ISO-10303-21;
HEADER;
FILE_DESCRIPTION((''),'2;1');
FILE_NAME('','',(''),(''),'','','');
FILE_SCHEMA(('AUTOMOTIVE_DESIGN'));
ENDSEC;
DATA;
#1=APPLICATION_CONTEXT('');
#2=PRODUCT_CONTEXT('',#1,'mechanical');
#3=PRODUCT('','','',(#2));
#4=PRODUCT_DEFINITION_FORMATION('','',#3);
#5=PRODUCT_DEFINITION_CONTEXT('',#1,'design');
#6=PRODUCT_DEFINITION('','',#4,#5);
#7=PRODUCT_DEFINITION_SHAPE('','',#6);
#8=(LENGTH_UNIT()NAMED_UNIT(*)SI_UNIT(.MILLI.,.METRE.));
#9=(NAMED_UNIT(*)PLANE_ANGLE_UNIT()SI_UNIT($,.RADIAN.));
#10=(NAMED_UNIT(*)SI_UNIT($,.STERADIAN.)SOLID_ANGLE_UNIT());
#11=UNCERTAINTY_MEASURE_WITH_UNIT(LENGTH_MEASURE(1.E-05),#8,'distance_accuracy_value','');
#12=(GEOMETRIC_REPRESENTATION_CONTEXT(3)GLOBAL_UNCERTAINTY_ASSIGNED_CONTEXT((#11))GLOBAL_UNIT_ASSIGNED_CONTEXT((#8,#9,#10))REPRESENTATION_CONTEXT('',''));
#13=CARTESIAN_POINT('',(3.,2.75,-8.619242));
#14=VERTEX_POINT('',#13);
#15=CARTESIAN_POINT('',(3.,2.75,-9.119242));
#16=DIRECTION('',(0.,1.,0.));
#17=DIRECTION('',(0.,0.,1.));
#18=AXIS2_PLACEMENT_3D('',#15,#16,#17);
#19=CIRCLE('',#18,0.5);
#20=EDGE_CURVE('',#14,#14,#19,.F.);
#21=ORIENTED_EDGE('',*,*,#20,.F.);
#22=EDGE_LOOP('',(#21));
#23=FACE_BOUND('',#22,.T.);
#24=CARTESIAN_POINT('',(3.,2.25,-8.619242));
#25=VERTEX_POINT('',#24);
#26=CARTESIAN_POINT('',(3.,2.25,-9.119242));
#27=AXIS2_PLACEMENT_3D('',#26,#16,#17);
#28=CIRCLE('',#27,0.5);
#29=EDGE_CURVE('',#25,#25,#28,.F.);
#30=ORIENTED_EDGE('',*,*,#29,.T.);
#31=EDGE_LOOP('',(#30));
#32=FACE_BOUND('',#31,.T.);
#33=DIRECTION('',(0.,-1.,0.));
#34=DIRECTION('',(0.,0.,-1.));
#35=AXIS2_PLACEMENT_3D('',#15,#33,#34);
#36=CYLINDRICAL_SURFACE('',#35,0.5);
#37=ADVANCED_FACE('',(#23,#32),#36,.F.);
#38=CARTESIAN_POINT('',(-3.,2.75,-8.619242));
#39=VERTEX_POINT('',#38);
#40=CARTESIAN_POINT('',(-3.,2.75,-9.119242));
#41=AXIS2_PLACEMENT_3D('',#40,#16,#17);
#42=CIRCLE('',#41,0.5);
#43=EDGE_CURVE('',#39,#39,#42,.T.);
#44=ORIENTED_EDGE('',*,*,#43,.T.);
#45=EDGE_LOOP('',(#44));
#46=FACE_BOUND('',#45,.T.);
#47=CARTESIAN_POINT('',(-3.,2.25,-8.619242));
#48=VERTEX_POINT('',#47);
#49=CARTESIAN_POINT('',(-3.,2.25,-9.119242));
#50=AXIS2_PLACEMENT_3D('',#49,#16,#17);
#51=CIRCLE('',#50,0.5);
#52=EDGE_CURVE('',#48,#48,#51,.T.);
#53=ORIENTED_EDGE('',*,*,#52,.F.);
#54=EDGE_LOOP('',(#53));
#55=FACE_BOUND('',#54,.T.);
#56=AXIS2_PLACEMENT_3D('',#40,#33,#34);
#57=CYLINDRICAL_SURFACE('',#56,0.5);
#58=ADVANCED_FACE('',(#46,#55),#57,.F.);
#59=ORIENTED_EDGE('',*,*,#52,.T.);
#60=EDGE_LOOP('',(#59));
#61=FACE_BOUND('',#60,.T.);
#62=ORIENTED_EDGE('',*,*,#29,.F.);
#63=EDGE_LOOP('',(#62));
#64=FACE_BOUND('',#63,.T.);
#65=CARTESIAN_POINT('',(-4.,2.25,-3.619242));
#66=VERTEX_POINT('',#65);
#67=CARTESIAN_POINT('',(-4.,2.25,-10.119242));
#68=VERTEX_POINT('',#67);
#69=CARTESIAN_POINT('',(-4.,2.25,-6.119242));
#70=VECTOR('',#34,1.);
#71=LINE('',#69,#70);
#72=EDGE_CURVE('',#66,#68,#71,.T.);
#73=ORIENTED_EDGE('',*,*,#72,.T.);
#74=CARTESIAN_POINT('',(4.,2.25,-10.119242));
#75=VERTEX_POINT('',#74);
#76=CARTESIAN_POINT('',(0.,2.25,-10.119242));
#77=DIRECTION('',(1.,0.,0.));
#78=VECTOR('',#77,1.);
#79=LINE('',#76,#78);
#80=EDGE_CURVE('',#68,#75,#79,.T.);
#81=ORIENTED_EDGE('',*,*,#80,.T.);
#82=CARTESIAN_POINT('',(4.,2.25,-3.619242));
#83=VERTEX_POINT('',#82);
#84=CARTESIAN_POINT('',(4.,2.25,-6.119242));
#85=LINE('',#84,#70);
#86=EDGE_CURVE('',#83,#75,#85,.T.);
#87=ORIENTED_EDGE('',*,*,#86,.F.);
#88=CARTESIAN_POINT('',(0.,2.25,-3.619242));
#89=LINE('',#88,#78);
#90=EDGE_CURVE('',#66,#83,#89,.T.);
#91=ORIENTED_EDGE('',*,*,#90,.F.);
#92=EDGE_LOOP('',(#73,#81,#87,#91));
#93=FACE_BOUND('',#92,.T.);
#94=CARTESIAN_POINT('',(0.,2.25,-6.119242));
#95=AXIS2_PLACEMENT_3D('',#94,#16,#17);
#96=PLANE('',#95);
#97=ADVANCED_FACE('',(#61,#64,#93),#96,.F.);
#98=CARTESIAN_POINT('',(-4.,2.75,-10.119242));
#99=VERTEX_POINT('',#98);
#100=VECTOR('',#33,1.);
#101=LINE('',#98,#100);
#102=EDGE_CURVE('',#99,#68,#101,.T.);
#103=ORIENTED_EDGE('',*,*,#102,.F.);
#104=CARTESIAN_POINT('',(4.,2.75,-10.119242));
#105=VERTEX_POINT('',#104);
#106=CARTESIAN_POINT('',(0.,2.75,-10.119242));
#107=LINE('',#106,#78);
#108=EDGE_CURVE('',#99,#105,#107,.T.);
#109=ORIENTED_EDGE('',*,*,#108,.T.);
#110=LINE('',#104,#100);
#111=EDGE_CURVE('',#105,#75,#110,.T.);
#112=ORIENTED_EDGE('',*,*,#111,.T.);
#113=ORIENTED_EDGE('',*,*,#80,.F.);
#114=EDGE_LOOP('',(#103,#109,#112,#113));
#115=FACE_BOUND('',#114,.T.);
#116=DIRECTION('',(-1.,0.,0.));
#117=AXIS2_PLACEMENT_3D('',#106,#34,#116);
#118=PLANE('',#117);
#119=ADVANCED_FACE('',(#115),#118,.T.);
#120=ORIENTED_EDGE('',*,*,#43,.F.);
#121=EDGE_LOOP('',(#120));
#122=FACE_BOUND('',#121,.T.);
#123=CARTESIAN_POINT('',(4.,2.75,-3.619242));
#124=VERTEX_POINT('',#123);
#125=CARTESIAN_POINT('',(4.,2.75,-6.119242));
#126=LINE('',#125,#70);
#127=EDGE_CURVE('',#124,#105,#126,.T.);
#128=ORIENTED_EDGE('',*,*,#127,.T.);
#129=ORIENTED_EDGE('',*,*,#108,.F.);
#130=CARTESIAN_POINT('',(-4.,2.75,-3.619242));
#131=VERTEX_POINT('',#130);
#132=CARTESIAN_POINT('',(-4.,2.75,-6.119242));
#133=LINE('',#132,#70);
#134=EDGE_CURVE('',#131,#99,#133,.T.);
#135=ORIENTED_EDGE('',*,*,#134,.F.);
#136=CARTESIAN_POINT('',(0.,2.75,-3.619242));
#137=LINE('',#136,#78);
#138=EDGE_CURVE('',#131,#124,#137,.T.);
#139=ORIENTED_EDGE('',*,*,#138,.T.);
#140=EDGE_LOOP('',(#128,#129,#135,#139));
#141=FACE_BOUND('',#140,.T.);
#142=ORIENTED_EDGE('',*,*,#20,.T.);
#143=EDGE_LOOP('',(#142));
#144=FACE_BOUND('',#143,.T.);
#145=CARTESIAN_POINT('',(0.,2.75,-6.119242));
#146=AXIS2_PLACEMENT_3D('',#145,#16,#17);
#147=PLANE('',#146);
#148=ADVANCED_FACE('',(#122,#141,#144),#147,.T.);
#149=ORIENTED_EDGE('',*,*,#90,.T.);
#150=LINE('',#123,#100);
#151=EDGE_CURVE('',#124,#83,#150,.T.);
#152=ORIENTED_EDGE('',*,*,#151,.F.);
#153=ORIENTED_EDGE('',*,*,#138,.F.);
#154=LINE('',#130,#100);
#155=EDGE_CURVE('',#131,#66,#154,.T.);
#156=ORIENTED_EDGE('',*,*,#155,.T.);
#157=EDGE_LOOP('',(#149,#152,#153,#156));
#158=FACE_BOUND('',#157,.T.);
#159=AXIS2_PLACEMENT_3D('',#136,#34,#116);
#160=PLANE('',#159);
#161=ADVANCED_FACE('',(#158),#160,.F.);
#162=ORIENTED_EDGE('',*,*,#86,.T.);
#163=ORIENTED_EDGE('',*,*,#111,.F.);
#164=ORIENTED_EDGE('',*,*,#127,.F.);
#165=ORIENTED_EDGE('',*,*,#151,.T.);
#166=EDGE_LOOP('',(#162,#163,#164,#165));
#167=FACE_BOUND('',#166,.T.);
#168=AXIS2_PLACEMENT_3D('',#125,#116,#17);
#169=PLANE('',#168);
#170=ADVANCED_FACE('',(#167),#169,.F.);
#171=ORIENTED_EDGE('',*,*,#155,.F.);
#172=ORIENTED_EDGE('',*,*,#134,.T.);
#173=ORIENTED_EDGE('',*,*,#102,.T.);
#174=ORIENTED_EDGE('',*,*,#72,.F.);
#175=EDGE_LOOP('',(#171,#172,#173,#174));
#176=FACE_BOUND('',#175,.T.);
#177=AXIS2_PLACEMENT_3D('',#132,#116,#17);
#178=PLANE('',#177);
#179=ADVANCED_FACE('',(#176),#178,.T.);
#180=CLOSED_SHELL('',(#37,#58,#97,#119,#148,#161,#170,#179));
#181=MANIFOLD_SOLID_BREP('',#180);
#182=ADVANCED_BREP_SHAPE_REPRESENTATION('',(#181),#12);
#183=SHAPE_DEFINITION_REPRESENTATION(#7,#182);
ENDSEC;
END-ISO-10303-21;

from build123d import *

# Parameters (mm, degrees)
SKETCH1_W           = 80
SKETCH1_H           = 65
SKETCH1_R           = 5
BOSS_EXTRUDE1_DEPTH = 5
SCALE2_SCALE        = 0.1


with BuildPart() as part:
    # Sketch1 → Boss-Extrude1 (new body)
    with BuildSketch(Plane(origin=(0, 0, 0), x_dir=(1, 0, 0), z_dir=(0, 1, 0))):
        with Locations((0, 7.5)):
            Rectangle(SKETCH1_W, SKETCH1_H)
        with Locations(Location((-30, 30, 0), (0, 0, 270))):
            Circle(SKETCH1_R, mode=Mode.SUBTRACT)
        with Locations(Location((30, 30, 0), (0, 0, 270))):
            Circle(SKETCH1_R, mode=Mode.SUBTRACT)
    extrude(amount=BOSS_EXTRUDE1_DEPTH)


with BuildPart() as part_1:
    # Scale2: scaled about (0, 2.5, -6.799157734)
    add(part.part.scale(SCALE2_SCALE).moved(Location((0, 2.25, -6.119241961))))


solid = part_1.part
